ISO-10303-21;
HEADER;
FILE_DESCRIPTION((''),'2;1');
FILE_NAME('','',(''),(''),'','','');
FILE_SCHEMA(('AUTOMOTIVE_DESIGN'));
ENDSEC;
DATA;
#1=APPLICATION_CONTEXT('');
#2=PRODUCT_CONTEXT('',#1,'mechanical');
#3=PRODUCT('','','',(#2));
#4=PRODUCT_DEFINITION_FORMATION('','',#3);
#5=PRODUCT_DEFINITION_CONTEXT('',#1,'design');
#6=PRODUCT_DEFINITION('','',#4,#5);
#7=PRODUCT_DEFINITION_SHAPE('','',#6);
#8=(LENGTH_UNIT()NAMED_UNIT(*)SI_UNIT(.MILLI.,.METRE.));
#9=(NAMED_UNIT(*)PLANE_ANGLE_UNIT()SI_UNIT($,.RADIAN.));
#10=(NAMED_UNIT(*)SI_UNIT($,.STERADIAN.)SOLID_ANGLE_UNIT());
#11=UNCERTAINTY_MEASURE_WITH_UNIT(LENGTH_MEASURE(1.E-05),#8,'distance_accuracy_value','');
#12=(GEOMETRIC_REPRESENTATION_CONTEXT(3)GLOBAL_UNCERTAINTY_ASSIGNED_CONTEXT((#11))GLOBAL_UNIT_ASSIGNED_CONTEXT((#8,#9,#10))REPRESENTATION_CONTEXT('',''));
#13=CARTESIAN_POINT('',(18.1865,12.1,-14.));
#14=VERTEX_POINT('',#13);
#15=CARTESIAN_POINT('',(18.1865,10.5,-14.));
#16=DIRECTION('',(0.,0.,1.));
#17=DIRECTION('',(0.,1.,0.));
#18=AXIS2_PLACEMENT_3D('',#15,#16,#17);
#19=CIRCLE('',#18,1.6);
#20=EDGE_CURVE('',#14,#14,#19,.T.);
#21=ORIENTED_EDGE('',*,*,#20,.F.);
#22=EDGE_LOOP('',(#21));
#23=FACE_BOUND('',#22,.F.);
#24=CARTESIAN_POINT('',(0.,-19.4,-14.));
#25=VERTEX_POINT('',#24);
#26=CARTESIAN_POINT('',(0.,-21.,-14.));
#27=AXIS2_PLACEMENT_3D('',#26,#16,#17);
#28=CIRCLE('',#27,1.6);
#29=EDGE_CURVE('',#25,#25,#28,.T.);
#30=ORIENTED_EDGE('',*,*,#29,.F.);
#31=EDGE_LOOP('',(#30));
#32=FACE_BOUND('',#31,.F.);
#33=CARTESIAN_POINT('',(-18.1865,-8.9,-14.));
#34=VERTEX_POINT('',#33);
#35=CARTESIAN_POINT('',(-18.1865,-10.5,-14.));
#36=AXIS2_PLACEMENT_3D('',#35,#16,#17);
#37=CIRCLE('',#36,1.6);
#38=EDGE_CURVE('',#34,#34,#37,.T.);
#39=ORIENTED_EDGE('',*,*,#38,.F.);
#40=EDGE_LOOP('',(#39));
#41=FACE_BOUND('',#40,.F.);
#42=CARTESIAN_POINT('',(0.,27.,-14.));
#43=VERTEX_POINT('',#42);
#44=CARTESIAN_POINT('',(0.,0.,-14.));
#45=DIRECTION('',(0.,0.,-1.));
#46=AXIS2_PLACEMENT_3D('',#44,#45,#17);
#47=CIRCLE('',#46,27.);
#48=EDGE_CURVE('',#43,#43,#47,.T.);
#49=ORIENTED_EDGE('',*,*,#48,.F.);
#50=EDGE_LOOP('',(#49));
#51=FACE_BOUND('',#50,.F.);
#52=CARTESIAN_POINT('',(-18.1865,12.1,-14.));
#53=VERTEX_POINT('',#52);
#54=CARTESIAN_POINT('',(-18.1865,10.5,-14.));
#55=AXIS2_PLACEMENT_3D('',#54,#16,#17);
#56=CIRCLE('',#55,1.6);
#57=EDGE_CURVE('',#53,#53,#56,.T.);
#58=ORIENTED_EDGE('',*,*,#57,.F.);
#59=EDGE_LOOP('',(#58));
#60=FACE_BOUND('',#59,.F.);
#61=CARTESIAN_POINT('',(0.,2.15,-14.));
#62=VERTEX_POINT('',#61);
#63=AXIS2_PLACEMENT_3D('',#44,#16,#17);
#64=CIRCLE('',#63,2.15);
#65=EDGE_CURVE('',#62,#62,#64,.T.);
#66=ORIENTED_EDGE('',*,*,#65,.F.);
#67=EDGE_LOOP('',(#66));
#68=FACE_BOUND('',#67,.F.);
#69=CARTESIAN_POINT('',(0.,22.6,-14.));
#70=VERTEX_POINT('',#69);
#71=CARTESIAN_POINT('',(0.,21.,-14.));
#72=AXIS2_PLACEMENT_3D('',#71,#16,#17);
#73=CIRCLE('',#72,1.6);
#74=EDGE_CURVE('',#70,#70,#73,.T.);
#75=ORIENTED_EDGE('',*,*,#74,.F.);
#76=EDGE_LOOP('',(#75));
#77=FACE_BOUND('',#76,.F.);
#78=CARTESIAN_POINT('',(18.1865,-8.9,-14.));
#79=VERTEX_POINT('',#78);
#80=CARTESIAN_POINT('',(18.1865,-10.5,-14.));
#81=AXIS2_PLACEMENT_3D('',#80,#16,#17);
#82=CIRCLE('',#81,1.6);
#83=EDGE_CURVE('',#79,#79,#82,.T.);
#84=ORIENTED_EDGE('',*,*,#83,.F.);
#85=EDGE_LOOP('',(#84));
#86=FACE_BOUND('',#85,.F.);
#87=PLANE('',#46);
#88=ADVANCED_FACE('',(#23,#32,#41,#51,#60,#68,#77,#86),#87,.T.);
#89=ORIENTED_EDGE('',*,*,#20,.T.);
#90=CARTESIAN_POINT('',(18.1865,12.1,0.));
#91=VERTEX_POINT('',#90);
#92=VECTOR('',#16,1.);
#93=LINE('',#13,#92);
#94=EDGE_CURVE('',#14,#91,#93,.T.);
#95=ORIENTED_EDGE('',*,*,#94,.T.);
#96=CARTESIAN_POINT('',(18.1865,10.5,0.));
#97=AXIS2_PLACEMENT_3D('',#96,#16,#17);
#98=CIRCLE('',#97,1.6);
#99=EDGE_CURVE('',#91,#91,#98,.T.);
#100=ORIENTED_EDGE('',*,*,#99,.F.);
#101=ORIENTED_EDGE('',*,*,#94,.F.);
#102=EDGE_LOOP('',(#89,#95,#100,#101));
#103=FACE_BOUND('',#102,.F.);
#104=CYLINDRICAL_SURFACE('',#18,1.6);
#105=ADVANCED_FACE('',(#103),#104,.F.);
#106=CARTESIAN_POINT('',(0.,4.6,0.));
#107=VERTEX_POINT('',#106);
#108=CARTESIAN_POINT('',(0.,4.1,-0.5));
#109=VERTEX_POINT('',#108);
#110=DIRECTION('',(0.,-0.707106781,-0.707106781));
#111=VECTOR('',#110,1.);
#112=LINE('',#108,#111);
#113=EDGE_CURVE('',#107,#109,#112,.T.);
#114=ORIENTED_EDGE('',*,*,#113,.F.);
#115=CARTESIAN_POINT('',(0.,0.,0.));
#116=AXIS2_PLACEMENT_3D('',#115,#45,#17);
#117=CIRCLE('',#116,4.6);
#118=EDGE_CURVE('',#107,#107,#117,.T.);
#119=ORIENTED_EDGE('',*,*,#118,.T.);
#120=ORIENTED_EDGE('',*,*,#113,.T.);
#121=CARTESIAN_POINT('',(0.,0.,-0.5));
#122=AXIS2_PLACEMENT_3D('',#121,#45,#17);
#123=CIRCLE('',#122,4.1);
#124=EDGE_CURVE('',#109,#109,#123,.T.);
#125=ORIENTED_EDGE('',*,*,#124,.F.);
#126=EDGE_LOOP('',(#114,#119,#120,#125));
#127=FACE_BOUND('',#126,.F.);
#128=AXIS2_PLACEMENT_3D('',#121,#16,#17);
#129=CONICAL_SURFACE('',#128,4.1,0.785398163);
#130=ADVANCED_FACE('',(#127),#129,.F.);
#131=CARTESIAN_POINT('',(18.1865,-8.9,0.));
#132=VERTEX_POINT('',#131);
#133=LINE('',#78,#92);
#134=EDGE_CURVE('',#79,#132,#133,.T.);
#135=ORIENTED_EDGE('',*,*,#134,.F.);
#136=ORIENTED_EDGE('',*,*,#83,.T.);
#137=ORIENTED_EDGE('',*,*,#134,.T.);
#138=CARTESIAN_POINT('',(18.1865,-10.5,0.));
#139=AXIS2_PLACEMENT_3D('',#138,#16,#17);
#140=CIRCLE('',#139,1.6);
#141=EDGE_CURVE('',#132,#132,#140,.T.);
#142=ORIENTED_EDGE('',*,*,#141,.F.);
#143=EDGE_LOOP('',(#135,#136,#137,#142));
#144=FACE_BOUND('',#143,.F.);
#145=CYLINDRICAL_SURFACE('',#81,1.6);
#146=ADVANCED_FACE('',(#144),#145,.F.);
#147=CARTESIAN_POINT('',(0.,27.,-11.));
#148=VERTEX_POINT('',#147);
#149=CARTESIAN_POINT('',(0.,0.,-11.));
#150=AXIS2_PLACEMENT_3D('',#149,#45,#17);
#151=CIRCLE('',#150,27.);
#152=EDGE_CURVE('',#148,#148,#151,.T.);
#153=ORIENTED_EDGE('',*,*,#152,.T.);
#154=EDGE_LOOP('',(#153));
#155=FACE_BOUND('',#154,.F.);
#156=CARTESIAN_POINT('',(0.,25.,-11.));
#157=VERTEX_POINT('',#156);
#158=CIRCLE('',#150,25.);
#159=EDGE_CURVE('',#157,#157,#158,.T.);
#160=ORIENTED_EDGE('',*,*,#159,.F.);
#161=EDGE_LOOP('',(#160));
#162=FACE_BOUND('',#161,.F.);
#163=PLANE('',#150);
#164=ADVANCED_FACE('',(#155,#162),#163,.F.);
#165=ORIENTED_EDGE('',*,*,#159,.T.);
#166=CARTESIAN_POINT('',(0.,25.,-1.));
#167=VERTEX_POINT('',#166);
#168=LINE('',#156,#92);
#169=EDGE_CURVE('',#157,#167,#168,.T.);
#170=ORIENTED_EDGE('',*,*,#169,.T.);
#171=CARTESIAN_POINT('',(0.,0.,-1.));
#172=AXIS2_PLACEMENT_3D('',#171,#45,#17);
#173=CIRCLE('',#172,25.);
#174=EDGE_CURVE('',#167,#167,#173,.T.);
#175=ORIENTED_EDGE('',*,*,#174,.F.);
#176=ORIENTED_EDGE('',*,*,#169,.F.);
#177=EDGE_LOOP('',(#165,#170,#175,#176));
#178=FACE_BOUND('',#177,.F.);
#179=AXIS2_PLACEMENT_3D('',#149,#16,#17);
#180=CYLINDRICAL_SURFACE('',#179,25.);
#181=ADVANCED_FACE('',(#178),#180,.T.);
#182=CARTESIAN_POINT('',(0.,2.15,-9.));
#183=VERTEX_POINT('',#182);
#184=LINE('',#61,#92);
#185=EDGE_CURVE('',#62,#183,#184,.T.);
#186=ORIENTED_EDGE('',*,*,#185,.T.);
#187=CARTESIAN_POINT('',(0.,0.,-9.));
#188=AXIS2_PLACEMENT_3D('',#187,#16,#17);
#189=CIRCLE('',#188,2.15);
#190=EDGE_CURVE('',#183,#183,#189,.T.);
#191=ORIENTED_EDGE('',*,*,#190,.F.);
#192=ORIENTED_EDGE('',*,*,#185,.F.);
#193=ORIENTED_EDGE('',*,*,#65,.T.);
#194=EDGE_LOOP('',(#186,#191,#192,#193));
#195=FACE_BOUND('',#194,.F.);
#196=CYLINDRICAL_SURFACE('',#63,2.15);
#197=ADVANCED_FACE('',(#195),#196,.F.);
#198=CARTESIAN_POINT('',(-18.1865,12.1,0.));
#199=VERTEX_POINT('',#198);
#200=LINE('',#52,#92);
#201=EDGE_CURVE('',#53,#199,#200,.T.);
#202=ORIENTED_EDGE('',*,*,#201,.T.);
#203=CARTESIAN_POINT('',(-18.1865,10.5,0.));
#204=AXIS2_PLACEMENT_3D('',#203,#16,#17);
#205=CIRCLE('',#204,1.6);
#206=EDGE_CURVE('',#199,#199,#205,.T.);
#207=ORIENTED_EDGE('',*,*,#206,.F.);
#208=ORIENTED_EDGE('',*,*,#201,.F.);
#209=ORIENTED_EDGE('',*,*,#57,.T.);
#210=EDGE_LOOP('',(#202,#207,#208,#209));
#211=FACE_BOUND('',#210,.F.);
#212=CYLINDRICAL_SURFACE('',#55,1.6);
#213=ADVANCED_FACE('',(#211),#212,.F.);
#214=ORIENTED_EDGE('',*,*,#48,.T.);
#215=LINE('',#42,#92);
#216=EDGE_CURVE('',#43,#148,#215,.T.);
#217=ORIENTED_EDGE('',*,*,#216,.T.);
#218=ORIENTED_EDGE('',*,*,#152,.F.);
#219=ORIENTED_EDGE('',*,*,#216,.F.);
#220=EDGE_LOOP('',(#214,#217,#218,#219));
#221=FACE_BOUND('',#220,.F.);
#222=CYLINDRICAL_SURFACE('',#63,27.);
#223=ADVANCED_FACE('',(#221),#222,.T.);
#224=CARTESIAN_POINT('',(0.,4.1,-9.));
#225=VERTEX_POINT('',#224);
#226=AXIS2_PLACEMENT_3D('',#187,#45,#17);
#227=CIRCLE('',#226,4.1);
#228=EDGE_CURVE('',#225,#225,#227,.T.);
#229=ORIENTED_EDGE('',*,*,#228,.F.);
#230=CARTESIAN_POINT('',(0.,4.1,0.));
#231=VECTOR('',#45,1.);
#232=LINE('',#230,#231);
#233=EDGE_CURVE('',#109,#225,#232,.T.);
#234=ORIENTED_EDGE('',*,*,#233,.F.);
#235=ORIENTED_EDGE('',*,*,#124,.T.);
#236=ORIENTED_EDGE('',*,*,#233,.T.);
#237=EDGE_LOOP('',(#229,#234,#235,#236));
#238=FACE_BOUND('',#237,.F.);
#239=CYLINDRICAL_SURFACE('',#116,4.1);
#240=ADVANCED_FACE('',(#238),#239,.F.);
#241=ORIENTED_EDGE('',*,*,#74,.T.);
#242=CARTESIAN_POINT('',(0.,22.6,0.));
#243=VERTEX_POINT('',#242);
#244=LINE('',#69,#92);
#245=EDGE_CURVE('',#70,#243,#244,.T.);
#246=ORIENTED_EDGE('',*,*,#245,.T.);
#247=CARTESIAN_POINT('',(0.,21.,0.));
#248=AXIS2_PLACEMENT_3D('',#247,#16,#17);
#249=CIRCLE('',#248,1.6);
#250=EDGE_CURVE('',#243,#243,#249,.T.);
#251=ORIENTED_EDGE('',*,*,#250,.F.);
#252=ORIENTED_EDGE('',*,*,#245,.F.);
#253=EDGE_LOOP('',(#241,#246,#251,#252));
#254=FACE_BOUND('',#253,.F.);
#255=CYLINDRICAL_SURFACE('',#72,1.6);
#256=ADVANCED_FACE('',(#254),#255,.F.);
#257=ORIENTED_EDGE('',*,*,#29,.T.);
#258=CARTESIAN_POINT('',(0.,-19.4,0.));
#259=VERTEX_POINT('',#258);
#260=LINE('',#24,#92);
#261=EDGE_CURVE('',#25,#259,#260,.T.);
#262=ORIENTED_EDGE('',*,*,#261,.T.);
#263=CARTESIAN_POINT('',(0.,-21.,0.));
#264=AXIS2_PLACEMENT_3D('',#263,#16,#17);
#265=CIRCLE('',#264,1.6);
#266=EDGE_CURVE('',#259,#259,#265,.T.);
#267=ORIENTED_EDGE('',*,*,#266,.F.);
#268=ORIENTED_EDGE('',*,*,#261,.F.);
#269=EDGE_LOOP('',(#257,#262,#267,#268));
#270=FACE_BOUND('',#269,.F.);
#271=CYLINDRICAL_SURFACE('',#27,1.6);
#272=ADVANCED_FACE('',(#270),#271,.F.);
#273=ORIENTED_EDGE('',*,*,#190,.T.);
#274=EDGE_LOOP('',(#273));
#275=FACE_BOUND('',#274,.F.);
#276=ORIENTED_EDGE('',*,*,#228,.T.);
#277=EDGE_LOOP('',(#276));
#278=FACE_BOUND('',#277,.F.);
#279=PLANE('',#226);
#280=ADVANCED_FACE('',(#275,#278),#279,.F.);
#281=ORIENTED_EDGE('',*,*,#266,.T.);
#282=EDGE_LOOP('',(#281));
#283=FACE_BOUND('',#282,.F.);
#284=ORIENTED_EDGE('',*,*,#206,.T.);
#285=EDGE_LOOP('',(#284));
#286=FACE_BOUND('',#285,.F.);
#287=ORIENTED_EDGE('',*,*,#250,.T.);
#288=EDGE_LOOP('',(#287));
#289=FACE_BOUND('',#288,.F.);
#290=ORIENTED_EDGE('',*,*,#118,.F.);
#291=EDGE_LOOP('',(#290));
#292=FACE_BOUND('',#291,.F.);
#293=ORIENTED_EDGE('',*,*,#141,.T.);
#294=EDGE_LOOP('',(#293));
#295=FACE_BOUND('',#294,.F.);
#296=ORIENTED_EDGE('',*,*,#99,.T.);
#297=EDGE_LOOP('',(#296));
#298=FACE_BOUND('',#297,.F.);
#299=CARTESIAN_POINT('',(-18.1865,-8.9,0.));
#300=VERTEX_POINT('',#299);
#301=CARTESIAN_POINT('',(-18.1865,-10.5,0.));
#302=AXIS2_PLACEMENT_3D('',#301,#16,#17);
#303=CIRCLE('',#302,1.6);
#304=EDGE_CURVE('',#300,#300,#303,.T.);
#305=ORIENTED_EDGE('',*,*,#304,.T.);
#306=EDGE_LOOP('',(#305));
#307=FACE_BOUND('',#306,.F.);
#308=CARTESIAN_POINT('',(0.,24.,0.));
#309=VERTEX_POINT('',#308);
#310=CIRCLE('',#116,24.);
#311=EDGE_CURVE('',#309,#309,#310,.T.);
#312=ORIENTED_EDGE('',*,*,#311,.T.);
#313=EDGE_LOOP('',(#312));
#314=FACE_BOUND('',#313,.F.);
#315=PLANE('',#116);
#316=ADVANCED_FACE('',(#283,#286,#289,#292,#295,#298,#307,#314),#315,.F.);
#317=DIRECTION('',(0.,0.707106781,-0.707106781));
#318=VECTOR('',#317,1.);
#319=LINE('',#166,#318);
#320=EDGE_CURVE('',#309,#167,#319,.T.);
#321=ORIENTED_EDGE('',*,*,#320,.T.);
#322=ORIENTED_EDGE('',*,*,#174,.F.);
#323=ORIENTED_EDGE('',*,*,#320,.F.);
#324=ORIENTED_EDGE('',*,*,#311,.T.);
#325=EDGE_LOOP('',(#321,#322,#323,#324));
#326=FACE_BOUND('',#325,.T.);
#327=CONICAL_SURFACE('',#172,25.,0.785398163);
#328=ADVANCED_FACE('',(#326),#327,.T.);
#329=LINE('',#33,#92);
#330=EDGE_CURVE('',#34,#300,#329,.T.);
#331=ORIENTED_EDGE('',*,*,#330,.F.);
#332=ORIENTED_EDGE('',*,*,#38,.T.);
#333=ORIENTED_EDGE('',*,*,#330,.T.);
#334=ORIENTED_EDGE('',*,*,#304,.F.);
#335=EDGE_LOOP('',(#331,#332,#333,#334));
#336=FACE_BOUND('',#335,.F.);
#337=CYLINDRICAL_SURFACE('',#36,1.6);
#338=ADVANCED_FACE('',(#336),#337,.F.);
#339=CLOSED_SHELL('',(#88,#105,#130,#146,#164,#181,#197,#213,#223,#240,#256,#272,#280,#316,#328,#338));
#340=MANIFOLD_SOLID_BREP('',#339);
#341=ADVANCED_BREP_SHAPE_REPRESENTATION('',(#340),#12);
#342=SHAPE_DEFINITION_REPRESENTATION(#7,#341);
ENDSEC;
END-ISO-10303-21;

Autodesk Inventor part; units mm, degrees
ref_plane "YZ Plane" through (0, 0, 0) normal (1, 0, 0) x (0, 1, 0)
ref_plane "XZ Plane" through (0, 0, 0) normal (0, 1, 0) x (-1, 0, 0)
ref_plane "XY Plane" through (0, 0, 0) normal (0, 0, 1) x (1, 0, 0)
sketch "スケッチ1" plane through (0, 0, 0) normal (1, 0, 0) x (0, 1, 0)
  line L0 (7, 0) -> (7, 0)
  line L1 (0, -9) -> (0, -14)
  line L2 (0, -14) -> (27, -14)
  line L3 (27, -14) -> (27, -11)
  line L4 (27, -11) -> (25, -11)
  line L5 (25, -11) -> (25, 0)
  line L6 (25, 0) -> (7, 0)
  line L7 (7, 0) -> (4.1, 0)
  line L8 (4.1, 0) -> (4.1, -9)
  line L9 (4.1, -9) -> (0, -9)
  point P0 (0, 0)
  dimension "d2" = 11
  dimension "d3" = 3
  dimension "d4" = 25
  dimension "d5" = 2
  dimension "d35" = 0
  dimension "d36" = 7
  dimension "d37" = 4.1
  dimension "d45" = 9
revolve "回転1" add sketch "スケッチ1" angle 360 about axis through (0, 0, -9) along (0, 0, -1)
chamfer "面取り1" distance 1 angle 45 1 edges at (0, -25, 0)
sketch "スケッチ2" plane through (0, 0, -14) normal (0, 0, -1) x (-1, 0, 0)
  point P0 (0, 0)
hole "穴1" at (0, 0, -14) direction (0, 0, 1) diameter 4.3 end through all clearance for "Socket Head Cap Screw" size "M4" standard "Ansi Metric M Profile"
sketch "スケッチ3" plane through (0, 0, -14) normal (0, 0, -1) x (-1, 0, 0)
  circle A0 centre (0, 0) radius 21
  point P0 (0, 0)
  point P1 (0, -21)
  point P2 (18.1865, -10.5)
  point P3 (18.1865, 10.5)
  point P4 (0, 21)
  point P5 (-18.1865, 10.5)
  point P6 (-18.1865, -10.5)
  dimension "d20" = 42
  dimension "d23" = 360
hole "穴2" at (0, -21, -14) at (-18.1865, -10.5, -14) at (-18.1865, 10.5, -14) at (0, 21, -14) at (18.1865, 10.5, -14) at (18.1865, -10.5, -14) direction (0, 0, 1) diameter 3.2 end through all clearance for "Socket Head Cap Screw" size "M3" standard "Ansi Metric M Profile"
chamfer "面取り4" distance 0.5 angle 45 1 edges at (0, -4.1, 0)
properties part number "base3" material "ABS プラスチック"
